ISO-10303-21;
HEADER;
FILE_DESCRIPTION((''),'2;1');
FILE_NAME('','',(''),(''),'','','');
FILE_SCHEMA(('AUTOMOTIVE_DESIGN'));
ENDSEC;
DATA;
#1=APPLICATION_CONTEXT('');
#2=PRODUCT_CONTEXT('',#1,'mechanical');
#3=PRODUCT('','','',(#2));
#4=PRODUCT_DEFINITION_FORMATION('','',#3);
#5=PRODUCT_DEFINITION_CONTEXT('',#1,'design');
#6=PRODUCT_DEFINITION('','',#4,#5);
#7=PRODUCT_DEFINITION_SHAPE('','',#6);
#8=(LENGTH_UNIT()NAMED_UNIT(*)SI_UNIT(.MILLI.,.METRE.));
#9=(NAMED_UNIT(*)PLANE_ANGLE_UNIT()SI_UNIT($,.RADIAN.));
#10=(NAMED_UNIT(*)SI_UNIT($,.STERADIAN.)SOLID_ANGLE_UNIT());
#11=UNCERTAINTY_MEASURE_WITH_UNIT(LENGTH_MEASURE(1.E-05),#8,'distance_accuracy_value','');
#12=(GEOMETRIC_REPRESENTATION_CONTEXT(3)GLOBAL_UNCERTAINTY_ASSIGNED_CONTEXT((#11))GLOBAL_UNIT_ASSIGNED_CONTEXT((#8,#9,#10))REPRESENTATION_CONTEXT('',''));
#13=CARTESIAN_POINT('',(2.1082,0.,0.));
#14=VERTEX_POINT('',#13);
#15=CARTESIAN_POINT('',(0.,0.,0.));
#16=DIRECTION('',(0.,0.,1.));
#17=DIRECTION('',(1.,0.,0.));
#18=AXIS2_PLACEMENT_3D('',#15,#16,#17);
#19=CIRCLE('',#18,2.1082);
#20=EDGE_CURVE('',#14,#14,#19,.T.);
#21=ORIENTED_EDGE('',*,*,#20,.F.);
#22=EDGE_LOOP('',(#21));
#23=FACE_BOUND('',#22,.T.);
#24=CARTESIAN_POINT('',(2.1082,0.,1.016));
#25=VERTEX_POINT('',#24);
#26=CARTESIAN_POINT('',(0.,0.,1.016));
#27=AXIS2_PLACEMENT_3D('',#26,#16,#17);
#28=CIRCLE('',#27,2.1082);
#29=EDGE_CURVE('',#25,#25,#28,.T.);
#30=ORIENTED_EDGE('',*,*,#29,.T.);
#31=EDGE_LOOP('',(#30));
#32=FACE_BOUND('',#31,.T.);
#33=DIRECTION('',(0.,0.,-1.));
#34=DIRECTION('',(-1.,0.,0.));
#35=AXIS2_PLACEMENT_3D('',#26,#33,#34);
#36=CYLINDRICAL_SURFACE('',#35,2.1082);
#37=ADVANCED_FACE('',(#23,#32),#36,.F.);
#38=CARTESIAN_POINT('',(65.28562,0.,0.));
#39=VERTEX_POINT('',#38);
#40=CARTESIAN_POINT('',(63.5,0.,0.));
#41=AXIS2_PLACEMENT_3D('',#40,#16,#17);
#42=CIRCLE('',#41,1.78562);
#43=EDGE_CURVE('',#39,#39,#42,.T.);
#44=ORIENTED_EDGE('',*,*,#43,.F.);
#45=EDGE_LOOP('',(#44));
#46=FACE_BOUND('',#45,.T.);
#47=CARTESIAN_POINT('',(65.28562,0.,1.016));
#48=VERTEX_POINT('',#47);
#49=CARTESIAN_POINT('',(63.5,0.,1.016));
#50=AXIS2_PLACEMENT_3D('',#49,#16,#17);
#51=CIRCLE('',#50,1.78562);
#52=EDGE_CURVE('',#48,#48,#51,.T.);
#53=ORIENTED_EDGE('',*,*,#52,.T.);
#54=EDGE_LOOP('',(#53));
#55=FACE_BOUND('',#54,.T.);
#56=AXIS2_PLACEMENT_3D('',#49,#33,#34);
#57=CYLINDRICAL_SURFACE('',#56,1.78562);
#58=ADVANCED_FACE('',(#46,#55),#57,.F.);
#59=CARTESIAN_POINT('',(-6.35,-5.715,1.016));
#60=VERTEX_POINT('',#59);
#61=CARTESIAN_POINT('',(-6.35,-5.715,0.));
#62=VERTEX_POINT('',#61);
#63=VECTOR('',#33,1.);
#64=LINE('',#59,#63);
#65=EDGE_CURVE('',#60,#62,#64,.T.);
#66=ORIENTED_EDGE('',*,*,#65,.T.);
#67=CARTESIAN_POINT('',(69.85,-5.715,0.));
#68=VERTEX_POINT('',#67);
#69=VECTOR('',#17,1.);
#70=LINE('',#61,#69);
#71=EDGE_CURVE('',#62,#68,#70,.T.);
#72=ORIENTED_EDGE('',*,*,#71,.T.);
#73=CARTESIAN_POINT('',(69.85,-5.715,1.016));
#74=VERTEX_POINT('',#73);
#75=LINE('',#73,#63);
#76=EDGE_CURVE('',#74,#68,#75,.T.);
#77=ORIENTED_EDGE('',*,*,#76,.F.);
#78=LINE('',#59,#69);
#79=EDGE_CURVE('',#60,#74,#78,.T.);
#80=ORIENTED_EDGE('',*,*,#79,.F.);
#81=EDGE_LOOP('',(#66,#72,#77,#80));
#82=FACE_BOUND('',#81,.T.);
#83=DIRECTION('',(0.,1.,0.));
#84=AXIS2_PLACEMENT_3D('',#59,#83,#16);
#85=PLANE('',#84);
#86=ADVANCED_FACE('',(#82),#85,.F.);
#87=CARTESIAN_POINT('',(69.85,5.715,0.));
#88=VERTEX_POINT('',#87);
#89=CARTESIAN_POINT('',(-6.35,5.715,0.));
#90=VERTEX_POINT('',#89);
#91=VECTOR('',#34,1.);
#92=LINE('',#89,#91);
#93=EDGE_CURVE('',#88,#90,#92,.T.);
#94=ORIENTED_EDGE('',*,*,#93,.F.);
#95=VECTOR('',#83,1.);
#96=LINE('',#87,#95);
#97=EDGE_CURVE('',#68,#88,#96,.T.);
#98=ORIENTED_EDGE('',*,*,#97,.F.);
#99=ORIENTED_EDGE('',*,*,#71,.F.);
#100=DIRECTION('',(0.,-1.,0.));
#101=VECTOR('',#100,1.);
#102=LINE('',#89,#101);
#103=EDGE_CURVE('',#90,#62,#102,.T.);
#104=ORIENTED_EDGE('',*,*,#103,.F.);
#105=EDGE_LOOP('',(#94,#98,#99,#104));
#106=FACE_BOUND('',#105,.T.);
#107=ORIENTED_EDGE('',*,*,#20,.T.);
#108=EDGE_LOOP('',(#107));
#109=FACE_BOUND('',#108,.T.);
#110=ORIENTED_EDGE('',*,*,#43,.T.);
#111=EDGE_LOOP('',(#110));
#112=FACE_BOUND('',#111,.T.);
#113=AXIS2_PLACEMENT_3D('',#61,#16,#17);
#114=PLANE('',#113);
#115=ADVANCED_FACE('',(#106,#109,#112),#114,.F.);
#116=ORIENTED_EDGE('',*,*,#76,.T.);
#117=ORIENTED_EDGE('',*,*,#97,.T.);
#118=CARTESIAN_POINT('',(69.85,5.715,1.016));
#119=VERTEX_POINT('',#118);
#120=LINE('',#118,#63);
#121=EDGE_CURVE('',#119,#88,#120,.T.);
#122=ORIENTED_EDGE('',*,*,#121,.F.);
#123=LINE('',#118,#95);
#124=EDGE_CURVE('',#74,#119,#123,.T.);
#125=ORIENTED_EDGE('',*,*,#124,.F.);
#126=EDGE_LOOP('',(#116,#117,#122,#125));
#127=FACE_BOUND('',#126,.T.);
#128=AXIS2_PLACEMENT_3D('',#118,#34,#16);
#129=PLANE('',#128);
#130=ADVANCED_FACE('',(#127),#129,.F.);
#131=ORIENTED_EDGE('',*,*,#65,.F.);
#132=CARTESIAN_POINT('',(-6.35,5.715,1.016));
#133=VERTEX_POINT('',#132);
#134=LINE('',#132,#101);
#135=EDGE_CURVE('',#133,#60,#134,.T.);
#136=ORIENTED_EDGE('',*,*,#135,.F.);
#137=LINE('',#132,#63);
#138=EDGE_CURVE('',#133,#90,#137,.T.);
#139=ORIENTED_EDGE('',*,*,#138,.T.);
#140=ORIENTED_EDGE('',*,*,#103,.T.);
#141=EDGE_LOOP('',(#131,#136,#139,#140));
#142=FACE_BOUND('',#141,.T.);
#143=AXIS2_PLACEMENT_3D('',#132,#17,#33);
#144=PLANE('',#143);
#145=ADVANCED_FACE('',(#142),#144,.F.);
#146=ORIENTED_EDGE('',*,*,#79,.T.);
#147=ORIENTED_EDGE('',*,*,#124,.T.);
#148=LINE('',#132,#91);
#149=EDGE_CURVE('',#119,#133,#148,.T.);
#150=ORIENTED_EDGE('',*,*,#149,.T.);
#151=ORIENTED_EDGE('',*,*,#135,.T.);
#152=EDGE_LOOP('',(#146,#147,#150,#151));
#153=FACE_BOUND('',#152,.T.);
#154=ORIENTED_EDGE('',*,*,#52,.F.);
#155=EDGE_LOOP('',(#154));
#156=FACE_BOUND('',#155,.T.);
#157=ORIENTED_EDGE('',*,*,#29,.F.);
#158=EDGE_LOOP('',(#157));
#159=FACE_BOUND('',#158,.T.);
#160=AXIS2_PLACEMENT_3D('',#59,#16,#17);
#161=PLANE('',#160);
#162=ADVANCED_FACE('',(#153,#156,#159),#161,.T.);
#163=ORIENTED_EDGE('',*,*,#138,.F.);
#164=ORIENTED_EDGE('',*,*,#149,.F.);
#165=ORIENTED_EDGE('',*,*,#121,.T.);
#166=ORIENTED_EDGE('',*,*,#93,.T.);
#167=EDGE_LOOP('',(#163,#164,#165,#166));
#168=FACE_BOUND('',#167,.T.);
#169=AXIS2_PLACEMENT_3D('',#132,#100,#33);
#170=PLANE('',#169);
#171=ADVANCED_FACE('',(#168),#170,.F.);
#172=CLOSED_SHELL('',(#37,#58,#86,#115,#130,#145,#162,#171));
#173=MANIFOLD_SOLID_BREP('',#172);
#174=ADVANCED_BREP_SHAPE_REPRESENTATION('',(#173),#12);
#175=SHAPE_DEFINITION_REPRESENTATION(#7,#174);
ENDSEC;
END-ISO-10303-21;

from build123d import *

# Parameters (mm, degrees)
SKETCH1_W           = 76.2
SKETCH1_H           = 11.43
SKETCH1_R           = 2.1082
SKETCH1_R_2         = 1.78562
BOSS_EXTRUDE1_DEPTH = 1.016


with BuildPart() as part:
    # Sketch1 → Boss-Extrude1 (new body)
    with BuildSketch(Plane.XY):
        with Locations((31.75, 0)):
            Rectangle(SKETCH1_W, SKETCH1_H)
        Circle(SKETCH1_R, mode=Mode.SUBTRACT)
        with Locations((63.5, 0)):
            Circle(SKETCH1_R_2, mode=Mode.SUBTRACT)
    extrude(amount=BOSS_EXTRUDE1_DEPTH)


solid = part.part
